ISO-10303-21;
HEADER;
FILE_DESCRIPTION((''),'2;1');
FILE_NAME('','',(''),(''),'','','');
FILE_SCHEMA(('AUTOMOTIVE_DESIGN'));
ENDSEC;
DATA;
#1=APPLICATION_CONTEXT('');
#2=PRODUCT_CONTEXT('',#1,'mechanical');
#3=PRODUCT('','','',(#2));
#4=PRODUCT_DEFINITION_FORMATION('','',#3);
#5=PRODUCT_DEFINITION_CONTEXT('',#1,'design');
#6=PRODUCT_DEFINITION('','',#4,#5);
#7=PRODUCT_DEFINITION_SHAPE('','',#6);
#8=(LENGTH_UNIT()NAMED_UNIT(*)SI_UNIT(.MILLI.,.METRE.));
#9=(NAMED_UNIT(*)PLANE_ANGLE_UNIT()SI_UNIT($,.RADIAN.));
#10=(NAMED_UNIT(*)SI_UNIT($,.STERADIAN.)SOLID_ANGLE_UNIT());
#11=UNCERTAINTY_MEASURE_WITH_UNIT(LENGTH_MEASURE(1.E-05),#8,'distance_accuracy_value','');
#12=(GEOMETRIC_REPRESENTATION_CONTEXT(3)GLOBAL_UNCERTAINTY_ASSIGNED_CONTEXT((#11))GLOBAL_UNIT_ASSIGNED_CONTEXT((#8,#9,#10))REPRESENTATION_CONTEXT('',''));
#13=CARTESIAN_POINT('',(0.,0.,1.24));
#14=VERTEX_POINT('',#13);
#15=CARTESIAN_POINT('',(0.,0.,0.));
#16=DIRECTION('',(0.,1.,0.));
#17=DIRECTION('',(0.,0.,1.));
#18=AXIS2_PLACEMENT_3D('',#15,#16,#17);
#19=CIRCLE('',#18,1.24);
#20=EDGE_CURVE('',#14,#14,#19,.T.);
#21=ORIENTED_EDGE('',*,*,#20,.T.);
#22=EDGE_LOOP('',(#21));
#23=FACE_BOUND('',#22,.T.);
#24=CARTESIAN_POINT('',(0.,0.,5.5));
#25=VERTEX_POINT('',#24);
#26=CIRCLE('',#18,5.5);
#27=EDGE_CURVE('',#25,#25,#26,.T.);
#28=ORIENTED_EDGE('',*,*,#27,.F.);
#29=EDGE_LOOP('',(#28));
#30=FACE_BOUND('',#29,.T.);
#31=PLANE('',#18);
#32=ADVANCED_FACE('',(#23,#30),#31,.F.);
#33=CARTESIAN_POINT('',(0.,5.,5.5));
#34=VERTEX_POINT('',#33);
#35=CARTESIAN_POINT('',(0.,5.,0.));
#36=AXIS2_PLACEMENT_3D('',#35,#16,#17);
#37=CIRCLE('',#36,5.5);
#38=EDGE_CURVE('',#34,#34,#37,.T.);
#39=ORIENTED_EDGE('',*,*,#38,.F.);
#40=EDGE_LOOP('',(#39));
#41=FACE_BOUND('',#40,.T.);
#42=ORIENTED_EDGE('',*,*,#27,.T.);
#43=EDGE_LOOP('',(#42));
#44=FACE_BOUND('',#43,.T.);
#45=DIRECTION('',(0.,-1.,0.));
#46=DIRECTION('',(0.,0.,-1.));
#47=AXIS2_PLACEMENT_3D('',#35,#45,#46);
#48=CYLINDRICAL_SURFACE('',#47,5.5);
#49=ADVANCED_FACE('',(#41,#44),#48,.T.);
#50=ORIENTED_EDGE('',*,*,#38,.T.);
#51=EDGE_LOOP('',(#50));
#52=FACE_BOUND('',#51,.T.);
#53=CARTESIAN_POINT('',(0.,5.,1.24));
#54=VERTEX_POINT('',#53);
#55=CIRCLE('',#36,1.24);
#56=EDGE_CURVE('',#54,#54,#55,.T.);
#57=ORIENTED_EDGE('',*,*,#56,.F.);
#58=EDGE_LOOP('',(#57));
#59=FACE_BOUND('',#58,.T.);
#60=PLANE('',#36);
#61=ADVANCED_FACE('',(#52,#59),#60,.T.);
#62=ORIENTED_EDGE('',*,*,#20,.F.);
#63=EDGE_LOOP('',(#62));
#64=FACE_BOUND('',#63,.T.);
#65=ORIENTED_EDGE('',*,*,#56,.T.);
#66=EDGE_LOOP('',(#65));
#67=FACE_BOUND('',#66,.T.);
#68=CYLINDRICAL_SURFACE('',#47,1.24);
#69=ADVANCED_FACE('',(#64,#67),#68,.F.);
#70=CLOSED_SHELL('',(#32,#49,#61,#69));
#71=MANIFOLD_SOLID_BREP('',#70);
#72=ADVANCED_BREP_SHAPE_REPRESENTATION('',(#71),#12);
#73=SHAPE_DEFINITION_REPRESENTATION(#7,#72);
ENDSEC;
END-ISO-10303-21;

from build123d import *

# Parameters (mm, degrees)
SKETCH1_R           = 5.5
SKETCH1_R_2         = 1.24
BOSS_EXTRUDE1_DEPTH = 5


with BuildPart() as part:
    # Sketch1 → Boss-Extrude1 (new body)
    with BuildSketch(Plane(origin=(0, 0, 0), x_dir=(1, 0, 0), z_dir=(0, 1, 0))):
        with Locations(Location((0, 0, 0), (0, 0, 270))):
            Circle(SKETCH1_R)
        with Locations(Location((0, 0, 0), (0, 0, 270))):
            Circle(SKETCH1_R_2, mode=Mode.SUBTRACT)
    extrude(amount=BOSS_EXTRUDE1_DEPTH)


solid = part.part
